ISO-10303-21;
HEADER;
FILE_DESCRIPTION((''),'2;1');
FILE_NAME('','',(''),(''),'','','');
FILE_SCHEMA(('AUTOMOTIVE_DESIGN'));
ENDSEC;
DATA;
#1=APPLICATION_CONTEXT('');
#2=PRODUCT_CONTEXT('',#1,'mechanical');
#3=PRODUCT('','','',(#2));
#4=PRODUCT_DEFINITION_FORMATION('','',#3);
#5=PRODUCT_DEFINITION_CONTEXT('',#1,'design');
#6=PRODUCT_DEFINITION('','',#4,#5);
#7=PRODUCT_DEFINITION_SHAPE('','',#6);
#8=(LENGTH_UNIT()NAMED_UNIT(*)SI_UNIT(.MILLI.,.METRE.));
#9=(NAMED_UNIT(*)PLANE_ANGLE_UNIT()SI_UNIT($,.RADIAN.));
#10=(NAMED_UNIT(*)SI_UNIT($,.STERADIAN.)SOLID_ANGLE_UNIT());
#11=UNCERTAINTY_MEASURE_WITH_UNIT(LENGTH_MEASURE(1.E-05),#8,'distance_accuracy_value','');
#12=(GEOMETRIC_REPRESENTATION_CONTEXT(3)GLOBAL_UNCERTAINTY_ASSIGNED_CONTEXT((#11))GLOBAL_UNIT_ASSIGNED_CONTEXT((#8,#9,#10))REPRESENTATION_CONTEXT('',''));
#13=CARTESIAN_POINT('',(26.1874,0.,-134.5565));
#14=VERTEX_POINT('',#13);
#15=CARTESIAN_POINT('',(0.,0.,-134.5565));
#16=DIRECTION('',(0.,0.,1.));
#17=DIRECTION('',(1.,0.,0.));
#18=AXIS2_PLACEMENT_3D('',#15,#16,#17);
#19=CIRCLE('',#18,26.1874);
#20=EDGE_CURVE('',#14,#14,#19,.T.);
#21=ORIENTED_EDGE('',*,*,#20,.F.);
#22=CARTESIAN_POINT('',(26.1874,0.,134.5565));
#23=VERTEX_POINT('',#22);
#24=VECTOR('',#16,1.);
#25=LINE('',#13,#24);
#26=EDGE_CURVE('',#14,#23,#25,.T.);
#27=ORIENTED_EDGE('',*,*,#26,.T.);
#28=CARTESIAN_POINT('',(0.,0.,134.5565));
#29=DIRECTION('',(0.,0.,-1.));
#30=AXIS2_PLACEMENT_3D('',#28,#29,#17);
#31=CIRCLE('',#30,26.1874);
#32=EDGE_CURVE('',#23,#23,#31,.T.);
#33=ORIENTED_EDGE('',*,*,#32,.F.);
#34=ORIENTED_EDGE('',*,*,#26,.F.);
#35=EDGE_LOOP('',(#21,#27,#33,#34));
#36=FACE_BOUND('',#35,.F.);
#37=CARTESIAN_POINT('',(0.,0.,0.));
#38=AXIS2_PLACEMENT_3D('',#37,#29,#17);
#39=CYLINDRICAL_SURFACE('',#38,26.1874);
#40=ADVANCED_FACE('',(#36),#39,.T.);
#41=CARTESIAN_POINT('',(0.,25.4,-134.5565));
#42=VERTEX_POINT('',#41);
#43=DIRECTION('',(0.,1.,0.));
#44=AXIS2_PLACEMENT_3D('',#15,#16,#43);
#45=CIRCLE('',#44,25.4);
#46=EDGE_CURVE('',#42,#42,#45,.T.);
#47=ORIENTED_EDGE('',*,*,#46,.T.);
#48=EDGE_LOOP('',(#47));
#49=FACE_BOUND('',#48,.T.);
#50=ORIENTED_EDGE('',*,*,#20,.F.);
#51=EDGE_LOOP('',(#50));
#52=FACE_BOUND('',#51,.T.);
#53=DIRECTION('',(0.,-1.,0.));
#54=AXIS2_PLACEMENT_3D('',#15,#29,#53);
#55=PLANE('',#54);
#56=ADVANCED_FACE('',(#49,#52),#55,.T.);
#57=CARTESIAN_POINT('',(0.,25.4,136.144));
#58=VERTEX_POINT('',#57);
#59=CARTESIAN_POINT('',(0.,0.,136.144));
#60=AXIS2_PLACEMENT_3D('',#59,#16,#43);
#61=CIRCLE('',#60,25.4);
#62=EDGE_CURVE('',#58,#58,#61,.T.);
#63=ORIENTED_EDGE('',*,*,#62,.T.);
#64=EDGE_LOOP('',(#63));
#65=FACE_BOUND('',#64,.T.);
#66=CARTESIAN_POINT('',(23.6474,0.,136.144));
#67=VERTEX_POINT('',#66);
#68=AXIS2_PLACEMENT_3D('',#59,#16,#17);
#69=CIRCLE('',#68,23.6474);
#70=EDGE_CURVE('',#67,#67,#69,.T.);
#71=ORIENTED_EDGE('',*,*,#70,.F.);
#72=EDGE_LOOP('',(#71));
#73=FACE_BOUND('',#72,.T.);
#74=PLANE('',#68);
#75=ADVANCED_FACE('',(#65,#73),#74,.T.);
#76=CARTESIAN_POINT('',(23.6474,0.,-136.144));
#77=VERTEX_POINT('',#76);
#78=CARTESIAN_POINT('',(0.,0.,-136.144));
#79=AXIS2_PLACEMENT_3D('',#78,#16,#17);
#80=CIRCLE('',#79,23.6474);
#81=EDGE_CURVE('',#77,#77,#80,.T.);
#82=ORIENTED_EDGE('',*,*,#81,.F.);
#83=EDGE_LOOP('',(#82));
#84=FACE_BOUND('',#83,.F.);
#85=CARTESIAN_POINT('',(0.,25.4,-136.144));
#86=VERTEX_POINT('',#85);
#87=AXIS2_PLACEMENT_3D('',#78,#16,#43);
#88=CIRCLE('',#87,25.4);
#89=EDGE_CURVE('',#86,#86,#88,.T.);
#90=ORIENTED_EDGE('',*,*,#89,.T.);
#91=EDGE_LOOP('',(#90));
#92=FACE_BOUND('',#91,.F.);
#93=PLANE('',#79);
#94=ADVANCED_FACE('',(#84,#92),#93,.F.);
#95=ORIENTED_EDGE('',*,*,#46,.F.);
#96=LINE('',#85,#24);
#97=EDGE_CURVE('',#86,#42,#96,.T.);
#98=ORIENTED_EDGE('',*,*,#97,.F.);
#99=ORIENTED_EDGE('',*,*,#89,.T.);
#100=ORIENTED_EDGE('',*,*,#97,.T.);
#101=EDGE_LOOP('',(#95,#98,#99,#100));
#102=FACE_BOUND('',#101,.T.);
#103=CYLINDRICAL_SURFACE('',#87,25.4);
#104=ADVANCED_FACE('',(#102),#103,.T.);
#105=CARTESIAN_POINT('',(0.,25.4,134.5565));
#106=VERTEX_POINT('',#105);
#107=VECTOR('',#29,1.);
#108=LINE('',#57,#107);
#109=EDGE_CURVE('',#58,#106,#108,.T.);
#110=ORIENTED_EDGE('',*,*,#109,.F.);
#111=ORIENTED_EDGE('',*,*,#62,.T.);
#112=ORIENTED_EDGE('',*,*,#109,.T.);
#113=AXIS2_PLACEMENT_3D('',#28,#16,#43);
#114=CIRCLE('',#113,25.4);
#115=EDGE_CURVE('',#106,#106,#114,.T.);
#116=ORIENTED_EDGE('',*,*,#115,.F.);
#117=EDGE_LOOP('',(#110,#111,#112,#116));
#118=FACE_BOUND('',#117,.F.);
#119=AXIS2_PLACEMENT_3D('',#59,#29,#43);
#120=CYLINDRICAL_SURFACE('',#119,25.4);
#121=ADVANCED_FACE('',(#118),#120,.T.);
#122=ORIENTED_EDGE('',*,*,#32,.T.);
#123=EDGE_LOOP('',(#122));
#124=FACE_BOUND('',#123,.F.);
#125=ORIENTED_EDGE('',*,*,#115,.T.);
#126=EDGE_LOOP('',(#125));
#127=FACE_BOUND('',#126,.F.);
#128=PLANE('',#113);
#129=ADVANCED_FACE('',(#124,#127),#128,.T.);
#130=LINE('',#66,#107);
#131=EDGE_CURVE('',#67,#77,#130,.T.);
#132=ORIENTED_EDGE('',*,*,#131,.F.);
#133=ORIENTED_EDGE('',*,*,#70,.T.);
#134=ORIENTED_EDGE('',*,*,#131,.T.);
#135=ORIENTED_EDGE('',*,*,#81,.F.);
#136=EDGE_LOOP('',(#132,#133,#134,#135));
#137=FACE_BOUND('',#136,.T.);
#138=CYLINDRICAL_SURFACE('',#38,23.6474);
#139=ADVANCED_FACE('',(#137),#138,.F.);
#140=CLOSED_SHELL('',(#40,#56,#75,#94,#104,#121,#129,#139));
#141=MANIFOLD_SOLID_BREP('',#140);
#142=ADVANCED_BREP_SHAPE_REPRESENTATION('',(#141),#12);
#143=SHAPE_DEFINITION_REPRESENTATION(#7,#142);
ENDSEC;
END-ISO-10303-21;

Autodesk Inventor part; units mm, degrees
ref_plane "YZ Plane" through (0, 0, 0) normal (1, 0, 0) x (0, 1, 0)
ref_plane "XZ Plane" through (0, 0, 0) normal (0, 1, 0) x (-1, 0, 0)
ref_plane "XY Plane" through (0, 0, 0) normal (0, 0, 1) x (1, 0, 0)
sketch "Sketch1" plane through (0, 0, 0) normal (0, 0, 1) x (1, 0, 0)
  circle A0 centre (0, 0) radius 26.1874
  circle A1 centre (0, 0) radius 23.6474
  dimension "d0" = 52.3748
  dimension "d1" = 2.54
extrude "Extrusion1" add sketch "Sketch1" along normal mid plane 272.288
sketch "Sketch2" plane through (0, 0, 0) normal (1, 0, 0) x (0, 1, 0)
  line L0 (-26.1874, 136.144) -> (26.1874, 136.144) projected
  line L1 (-23.6474, 136.144) -> (23.6474, 136.144) projected
  line L2 (26.1874, 136.144) -> (25.4, 136.144)
  line L3 (25.4, 136.144) -> (25.4, 134.5565)
  line L4 (25.4, 134.5565) -> (26.1874, 134.5565)
  line L5 (26.1874, 134.5565) -> (26.1874, 136.144)
  line L6 (0, -14.5288) -> (0, 87.1728) projected
  point P0 (0, 0)
  dimension "d4" = 1.5875
  dimension "d5" = 0.7874
revolve "Revolution1" cut sketch "Sketch2" angle 360 about axis through (0, 0, -10) along (0, 0, 1)
mirror "Mirror1" about plane through (0, 0, 0) normal (0, 0, 1) of "Revolution1"
properties part number "AVT-32-32_Body Tube" material "Stainless Steel"
